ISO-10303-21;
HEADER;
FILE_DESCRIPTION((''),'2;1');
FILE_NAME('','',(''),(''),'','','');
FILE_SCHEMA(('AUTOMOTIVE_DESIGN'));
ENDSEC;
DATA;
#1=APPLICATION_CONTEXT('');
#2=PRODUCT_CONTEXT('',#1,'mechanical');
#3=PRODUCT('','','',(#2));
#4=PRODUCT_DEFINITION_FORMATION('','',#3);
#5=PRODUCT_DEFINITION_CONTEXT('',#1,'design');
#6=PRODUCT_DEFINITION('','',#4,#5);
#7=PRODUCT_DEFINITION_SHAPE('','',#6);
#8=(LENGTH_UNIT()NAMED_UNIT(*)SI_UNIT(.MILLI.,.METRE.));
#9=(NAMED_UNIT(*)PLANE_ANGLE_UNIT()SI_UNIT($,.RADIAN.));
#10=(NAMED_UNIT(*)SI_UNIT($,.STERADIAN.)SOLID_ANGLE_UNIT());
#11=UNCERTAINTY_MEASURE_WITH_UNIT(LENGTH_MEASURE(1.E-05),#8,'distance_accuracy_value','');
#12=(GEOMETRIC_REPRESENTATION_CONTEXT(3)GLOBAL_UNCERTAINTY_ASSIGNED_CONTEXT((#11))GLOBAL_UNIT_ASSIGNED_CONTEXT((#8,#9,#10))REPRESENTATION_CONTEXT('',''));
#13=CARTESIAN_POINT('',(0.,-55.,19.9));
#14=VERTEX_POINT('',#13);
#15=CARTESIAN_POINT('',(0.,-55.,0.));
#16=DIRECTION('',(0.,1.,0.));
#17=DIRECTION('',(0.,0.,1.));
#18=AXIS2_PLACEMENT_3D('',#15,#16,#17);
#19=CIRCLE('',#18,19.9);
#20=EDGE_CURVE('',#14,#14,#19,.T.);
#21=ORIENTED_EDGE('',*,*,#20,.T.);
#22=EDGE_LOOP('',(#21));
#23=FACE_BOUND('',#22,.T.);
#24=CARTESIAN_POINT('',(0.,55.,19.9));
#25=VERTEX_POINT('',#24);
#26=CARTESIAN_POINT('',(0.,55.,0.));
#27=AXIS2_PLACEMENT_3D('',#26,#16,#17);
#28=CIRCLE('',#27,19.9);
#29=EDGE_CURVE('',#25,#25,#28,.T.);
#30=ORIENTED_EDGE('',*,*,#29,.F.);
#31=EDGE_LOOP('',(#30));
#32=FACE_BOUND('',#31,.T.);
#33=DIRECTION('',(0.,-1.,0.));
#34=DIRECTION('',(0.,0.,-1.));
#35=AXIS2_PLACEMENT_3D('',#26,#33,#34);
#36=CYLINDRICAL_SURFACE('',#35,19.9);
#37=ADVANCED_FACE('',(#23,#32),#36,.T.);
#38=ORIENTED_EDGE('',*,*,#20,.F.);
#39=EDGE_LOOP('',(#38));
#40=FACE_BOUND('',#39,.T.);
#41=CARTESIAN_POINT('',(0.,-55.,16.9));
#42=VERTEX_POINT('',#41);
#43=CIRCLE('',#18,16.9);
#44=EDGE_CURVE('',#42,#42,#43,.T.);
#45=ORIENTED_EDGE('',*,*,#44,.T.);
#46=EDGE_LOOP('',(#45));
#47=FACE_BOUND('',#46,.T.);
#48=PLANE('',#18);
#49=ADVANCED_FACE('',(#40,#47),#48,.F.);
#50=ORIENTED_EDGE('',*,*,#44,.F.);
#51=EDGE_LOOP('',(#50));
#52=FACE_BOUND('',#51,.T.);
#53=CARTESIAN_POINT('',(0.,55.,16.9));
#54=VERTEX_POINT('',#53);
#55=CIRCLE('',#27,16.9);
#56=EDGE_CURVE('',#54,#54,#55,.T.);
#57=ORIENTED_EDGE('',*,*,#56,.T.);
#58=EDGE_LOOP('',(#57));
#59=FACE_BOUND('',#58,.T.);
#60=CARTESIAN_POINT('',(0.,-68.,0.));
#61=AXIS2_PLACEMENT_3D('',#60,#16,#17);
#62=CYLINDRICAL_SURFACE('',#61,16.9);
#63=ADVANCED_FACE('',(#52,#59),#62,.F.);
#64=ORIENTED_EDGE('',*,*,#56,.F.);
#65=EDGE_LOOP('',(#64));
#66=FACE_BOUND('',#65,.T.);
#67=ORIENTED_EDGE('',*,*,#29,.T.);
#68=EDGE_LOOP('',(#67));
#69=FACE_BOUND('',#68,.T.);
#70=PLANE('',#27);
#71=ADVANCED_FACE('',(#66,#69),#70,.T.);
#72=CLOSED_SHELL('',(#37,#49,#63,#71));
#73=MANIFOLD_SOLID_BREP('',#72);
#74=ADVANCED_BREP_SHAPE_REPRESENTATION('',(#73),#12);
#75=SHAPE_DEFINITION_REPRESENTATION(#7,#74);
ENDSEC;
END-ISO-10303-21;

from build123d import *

# Parameters (mm, degrees)
SKETCH1_R           = 19.9
BOSS_EXTRUDE1_DEPTH = 55
SKETCH2_R           = 16.9
CUT_EXTRUDE1_DEPTH  = 123


with BuildPart() as part:
    # Sketch1 → Boss-Extrude1 (new, symmetric)
    with BuildSketch(Plane(origin=(0, 0, 0), x_dir=(1, 0, 0), z_dir=(0, 1, 0))):
        with Locations(Location((0, 0, 0), (0, 0, 270))):
            Circle(SKETCH1_R)
    extrude(amount=BOSS_EXTRUDE1_DEPTH, both=True)

    # Sketch2 → Cut-Extrude1 (cut)
    with BuildSketch(Plane(origin=(0, 55, 0), x_dir=(1, 0, 0), z_dir=(0, 1, 0))):
        with Locations(Location((0, 0, 0), (0, 0, 270))):
            Circle(SKETCH2_R)
    extrude(amount=-CUT_EXTRUDE1_DEPTH, mode=Mode.SUBTRACT)


solid = part.part
